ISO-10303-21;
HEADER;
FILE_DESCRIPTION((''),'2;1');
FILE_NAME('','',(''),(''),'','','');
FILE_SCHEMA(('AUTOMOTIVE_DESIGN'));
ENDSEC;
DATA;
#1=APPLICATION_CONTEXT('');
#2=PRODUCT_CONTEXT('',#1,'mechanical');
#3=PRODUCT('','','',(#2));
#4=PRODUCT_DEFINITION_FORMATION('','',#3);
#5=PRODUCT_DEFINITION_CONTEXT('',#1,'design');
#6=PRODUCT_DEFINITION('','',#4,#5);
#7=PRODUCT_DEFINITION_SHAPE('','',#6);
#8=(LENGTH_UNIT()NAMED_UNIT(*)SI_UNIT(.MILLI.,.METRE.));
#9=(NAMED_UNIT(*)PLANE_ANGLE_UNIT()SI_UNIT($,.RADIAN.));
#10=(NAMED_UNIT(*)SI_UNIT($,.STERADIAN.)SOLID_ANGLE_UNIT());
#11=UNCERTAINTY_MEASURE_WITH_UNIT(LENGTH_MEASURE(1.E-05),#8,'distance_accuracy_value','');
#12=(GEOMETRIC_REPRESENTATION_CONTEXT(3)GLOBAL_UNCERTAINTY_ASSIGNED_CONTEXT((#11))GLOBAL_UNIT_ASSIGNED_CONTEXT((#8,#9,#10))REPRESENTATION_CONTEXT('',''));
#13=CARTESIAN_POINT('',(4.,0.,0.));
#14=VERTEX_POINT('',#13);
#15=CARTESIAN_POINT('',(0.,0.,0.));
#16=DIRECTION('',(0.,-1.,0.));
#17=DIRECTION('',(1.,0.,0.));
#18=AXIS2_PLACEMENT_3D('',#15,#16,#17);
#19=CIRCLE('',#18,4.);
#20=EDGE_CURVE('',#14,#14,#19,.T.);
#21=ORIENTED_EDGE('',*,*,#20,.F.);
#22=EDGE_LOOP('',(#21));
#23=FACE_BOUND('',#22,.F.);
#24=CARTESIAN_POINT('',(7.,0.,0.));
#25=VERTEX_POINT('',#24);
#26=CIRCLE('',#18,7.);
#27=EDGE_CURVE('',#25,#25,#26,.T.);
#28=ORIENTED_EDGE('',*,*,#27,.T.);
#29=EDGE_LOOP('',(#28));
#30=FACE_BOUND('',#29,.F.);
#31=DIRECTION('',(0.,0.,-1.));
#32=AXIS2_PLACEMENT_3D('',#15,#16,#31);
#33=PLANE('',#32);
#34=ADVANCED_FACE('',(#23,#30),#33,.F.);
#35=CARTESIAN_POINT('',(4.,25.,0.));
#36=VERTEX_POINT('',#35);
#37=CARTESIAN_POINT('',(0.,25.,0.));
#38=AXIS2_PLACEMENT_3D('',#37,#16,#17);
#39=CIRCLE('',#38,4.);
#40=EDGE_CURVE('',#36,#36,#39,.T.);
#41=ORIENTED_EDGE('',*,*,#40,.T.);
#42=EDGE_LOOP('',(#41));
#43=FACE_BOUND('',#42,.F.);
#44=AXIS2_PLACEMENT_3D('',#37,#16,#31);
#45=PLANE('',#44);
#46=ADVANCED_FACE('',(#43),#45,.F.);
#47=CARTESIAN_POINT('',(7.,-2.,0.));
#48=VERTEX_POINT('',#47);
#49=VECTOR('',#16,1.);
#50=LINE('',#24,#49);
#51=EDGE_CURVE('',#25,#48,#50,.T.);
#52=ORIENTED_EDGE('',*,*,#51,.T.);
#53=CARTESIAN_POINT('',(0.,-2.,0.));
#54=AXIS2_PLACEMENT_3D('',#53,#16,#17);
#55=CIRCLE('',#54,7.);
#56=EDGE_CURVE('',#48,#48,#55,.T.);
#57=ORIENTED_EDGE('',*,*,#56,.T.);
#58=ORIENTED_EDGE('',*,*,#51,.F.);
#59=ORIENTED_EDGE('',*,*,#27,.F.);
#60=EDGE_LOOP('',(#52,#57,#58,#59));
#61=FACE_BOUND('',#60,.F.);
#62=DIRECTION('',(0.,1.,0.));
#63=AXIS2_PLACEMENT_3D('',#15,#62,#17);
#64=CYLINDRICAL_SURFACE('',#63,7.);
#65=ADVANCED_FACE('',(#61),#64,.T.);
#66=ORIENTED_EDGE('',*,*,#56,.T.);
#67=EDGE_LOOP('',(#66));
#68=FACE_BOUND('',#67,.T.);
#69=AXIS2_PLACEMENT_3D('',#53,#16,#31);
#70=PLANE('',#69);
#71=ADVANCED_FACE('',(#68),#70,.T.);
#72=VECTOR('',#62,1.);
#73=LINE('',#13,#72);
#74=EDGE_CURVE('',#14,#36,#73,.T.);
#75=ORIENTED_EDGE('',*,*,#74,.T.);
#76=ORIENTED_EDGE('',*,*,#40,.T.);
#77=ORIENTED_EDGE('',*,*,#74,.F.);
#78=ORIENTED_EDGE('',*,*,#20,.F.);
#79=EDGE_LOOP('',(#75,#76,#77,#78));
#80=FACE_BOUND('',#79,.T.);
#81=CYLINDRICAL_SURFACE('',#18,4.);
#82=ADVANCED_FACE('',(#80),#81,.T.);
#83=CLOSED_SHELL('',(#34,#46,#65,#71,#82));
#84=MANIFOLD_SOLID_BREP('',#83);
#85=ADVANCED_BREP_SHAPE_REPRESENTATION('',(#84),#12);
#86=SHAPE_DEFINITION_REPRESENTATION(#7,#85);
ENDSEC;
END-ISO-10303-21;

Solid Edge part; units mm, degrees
sketch "Sketch1" plane through (0, 0, 0) normal (0, -1, 0) x (1, 0, 0)
  circle A0 centre (0, 0) radius 7
extrude "Protrusion1" add sketch "Sketch1" along normal blind 2
sketch "Sketch2" plane through (0, 0, 0) normal (0, -1, 0) x (1, 0, 0)
  circle A0 centre (0, 0) radius 4
extrude "ExtrudedProtrusion_2" add sketch "Sketch2" against normal blind 25
properties material "LDPE"
